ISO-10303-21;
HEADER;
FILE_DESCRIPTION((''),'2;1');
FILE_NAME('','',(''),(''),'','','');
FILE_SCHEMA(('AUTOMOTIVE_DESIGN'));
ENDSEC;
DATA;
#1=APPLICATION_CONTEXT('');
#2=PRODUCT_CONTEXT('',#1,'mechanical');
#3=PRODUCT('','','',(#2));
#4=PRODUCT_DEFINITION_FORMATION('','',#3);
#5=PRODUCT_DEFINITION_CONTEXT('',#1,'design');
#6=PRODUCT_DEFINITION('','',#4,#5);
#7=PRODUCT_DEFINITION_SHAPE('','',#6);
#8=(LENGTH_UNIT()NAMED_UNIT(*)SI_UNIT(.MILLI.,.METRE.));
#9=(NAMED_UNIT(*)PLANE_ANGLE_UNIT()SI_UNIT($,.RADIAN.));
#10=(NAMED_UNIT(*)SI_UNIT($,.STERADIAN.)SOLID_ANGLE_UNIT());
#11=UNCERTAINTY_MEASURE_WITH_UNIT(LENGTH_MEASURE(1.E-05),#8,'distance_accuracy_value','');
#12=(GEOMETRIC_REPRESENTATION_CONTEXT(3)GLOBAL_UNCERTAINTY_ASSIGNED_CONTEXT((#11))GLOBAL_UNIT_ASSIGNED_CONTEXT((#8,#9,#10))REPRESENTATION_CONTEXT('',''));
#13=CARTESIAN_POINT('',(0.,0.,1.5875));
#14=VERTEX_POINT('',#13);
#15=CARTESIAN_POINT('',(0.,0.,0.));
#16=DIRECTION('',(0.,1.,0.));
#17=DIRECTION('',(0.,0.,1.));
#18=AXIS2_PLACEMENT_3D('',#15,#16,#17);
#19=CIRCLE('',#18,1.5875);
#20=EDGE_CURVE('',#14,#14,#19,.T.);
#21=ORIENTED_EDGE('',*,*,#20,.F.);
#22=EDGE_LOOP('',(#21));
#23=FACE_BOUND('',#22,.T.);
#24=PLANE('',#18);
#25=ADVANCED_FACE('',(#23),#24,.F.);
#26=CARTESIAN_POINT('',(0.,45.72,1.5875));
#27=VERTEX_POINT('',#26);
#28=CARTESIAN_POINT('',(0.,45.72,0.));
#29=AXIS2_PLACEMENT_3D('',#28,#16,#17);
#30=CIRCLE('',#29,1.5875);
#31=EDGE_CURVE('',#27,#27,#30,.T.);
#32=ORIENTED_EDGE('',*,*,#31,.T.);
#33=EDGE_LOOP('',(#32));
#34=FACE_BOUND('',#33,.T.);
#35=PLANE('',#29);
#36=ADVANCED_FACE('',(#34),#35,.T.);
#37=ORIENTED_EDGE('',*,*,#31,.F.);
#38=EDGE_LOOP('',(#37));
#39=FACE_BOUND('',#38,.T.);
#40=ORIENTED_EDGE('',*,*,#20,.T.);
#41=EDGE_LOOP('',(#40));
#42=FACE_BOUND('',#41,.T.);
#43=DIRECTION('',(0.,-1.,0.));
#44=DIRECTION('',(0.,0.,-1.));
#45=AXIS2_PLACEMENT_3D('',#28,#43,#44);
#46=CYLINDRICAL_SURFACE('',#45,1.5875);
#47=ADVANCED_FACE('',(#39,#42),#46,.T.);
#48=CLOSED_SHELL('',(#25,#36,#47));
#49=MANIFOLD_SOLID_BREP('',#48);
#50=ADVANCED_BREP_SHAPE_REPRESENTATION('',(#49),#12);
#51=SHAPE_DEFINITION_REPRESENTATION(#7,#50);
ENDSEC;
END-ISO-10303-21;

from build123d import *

# Parameters (mm, degrees)
SKETCH1_R           = 1.5875
BOSS_EXTRUDE1_DEPTH = 45.72


with BuildPart() as part:
    # Sketch1 → Boss-Extrude1 (new body)
    with BuildSketch(Plane(origin=(0, 0, 0), x_dir=(1, 0, 0), z_dir=(0, 1, 0))):
        Circle(SKETCH1_R)
    extrude(amount=BOSS_EXTRUDE1_DEPTH)


solid = part.part
